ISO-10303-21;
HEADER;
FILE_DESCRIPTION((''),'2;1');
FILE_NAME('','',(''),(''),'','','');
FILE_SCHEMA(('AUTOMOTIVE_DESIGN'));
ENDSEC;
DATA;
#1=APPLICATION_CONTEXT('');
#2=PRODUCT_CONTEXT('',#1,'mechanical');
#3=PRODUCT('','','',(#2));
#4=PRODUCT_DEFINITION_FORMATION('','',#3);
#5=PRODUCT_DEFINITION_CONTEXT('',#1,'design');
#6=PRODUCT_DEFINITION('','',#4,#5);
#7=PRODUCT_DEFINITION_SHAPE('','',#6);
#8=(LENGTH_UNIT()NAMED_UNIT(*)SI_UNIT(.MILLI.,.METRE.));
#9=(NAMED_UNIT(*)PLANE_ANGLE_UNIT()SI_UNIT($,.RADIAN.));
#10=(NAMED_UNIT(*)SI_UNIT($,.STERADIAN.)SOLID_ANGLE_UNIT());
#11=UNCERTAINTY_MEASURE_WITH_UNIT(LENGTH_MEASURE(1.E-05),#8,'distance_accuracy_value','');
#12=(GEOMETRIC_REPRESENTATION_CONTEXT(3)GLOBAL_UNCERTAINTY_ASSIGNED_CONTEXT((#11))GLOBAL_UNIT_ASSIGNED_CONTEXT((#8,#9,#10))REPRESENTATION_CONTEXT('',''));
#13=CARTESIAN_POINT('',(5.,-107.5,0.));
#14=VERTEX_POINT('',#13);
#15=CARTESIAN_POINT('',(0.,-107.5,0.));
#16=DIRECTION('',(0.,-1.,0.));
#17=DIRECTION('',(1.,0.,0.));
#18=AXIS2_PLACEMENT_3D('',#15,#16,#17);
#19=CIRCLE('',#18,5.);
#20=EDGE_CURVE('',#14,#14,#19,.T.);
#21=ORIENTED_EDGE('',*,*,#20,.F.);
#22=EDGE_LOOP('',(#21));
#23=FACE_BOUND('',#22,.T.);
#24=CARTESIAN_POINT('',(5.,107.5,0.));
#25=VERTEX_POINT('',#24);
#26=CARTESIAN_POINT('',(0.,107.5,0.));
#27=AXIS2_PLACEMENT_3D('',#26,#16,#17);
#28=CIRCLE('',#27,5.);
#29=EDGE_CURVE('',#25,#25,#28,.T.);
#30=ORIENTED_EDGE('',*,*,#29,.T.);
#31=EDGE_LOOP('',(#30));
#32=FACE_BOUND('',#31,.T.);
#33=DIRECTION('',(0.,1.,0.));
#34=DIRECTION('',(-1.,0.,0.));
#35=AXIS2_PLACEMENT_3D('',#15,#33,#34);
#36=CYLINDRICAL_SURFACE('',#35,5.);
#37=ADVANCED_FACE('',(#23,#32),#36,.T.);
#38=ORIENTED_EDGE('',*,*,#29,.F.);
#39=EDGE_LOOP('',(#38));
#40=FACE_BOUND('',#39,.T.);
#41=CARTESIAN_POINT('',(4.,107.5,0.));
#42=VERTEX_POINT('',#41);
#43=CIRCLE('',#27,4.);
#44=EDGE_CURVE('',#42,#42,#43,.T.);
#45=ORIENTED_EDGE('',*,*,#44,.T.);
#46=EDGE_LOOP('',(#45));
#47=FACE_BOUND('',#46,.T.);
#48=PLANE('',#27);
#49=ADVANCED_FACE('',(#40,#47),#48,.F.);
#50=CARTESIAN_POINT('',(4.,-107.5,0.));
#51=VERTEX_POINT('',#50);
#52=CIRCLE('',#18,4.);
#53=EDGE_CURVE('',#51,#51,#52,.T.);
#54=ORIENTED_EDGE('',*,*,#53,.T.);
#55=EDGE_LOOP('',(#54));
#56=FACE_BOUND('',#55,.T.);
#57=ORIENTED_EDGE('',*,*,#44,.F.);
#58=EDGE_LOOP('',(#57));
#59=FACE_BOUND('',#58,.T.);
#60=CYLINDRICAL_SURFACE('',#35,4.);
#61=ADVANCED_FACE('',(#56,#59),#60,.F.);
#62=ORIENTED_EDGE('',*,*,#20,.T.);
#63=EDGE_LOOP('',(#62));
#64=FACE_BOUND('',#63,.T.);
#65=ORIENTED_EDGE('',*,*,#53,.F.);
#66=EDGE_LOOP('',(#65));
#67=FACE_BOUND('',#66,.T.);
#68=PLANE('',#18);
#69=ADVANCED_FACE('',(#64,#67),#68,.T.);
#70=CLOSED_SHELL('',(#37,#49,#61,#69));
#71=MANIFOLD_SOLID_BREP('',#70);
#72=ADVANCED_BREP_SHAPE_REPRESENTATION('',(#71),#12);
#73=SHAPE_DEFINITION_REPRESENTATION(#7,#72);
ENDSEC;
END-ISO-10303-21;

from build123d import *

# Parameters (mm, degrees)
TUBE_ROND_R            = 5
TUBE_ROND_R_2          = 4
TUBE_ROND_10X1_1_DEPTH = 215


with BuildPart() as part:
    # tube rond → Tube rond 10X1(1) (new body)
    with BuildSketch(Plane.XZ.offset(-107.5)):
        Circle(TUBE_ROND_R)
        Circle(TUBE_ROND_R_2, mode=Mode.SUBTRACT)
    extrude(amount=TUBE_ROND_10X1_1_DEPTH)


solid = part.part
